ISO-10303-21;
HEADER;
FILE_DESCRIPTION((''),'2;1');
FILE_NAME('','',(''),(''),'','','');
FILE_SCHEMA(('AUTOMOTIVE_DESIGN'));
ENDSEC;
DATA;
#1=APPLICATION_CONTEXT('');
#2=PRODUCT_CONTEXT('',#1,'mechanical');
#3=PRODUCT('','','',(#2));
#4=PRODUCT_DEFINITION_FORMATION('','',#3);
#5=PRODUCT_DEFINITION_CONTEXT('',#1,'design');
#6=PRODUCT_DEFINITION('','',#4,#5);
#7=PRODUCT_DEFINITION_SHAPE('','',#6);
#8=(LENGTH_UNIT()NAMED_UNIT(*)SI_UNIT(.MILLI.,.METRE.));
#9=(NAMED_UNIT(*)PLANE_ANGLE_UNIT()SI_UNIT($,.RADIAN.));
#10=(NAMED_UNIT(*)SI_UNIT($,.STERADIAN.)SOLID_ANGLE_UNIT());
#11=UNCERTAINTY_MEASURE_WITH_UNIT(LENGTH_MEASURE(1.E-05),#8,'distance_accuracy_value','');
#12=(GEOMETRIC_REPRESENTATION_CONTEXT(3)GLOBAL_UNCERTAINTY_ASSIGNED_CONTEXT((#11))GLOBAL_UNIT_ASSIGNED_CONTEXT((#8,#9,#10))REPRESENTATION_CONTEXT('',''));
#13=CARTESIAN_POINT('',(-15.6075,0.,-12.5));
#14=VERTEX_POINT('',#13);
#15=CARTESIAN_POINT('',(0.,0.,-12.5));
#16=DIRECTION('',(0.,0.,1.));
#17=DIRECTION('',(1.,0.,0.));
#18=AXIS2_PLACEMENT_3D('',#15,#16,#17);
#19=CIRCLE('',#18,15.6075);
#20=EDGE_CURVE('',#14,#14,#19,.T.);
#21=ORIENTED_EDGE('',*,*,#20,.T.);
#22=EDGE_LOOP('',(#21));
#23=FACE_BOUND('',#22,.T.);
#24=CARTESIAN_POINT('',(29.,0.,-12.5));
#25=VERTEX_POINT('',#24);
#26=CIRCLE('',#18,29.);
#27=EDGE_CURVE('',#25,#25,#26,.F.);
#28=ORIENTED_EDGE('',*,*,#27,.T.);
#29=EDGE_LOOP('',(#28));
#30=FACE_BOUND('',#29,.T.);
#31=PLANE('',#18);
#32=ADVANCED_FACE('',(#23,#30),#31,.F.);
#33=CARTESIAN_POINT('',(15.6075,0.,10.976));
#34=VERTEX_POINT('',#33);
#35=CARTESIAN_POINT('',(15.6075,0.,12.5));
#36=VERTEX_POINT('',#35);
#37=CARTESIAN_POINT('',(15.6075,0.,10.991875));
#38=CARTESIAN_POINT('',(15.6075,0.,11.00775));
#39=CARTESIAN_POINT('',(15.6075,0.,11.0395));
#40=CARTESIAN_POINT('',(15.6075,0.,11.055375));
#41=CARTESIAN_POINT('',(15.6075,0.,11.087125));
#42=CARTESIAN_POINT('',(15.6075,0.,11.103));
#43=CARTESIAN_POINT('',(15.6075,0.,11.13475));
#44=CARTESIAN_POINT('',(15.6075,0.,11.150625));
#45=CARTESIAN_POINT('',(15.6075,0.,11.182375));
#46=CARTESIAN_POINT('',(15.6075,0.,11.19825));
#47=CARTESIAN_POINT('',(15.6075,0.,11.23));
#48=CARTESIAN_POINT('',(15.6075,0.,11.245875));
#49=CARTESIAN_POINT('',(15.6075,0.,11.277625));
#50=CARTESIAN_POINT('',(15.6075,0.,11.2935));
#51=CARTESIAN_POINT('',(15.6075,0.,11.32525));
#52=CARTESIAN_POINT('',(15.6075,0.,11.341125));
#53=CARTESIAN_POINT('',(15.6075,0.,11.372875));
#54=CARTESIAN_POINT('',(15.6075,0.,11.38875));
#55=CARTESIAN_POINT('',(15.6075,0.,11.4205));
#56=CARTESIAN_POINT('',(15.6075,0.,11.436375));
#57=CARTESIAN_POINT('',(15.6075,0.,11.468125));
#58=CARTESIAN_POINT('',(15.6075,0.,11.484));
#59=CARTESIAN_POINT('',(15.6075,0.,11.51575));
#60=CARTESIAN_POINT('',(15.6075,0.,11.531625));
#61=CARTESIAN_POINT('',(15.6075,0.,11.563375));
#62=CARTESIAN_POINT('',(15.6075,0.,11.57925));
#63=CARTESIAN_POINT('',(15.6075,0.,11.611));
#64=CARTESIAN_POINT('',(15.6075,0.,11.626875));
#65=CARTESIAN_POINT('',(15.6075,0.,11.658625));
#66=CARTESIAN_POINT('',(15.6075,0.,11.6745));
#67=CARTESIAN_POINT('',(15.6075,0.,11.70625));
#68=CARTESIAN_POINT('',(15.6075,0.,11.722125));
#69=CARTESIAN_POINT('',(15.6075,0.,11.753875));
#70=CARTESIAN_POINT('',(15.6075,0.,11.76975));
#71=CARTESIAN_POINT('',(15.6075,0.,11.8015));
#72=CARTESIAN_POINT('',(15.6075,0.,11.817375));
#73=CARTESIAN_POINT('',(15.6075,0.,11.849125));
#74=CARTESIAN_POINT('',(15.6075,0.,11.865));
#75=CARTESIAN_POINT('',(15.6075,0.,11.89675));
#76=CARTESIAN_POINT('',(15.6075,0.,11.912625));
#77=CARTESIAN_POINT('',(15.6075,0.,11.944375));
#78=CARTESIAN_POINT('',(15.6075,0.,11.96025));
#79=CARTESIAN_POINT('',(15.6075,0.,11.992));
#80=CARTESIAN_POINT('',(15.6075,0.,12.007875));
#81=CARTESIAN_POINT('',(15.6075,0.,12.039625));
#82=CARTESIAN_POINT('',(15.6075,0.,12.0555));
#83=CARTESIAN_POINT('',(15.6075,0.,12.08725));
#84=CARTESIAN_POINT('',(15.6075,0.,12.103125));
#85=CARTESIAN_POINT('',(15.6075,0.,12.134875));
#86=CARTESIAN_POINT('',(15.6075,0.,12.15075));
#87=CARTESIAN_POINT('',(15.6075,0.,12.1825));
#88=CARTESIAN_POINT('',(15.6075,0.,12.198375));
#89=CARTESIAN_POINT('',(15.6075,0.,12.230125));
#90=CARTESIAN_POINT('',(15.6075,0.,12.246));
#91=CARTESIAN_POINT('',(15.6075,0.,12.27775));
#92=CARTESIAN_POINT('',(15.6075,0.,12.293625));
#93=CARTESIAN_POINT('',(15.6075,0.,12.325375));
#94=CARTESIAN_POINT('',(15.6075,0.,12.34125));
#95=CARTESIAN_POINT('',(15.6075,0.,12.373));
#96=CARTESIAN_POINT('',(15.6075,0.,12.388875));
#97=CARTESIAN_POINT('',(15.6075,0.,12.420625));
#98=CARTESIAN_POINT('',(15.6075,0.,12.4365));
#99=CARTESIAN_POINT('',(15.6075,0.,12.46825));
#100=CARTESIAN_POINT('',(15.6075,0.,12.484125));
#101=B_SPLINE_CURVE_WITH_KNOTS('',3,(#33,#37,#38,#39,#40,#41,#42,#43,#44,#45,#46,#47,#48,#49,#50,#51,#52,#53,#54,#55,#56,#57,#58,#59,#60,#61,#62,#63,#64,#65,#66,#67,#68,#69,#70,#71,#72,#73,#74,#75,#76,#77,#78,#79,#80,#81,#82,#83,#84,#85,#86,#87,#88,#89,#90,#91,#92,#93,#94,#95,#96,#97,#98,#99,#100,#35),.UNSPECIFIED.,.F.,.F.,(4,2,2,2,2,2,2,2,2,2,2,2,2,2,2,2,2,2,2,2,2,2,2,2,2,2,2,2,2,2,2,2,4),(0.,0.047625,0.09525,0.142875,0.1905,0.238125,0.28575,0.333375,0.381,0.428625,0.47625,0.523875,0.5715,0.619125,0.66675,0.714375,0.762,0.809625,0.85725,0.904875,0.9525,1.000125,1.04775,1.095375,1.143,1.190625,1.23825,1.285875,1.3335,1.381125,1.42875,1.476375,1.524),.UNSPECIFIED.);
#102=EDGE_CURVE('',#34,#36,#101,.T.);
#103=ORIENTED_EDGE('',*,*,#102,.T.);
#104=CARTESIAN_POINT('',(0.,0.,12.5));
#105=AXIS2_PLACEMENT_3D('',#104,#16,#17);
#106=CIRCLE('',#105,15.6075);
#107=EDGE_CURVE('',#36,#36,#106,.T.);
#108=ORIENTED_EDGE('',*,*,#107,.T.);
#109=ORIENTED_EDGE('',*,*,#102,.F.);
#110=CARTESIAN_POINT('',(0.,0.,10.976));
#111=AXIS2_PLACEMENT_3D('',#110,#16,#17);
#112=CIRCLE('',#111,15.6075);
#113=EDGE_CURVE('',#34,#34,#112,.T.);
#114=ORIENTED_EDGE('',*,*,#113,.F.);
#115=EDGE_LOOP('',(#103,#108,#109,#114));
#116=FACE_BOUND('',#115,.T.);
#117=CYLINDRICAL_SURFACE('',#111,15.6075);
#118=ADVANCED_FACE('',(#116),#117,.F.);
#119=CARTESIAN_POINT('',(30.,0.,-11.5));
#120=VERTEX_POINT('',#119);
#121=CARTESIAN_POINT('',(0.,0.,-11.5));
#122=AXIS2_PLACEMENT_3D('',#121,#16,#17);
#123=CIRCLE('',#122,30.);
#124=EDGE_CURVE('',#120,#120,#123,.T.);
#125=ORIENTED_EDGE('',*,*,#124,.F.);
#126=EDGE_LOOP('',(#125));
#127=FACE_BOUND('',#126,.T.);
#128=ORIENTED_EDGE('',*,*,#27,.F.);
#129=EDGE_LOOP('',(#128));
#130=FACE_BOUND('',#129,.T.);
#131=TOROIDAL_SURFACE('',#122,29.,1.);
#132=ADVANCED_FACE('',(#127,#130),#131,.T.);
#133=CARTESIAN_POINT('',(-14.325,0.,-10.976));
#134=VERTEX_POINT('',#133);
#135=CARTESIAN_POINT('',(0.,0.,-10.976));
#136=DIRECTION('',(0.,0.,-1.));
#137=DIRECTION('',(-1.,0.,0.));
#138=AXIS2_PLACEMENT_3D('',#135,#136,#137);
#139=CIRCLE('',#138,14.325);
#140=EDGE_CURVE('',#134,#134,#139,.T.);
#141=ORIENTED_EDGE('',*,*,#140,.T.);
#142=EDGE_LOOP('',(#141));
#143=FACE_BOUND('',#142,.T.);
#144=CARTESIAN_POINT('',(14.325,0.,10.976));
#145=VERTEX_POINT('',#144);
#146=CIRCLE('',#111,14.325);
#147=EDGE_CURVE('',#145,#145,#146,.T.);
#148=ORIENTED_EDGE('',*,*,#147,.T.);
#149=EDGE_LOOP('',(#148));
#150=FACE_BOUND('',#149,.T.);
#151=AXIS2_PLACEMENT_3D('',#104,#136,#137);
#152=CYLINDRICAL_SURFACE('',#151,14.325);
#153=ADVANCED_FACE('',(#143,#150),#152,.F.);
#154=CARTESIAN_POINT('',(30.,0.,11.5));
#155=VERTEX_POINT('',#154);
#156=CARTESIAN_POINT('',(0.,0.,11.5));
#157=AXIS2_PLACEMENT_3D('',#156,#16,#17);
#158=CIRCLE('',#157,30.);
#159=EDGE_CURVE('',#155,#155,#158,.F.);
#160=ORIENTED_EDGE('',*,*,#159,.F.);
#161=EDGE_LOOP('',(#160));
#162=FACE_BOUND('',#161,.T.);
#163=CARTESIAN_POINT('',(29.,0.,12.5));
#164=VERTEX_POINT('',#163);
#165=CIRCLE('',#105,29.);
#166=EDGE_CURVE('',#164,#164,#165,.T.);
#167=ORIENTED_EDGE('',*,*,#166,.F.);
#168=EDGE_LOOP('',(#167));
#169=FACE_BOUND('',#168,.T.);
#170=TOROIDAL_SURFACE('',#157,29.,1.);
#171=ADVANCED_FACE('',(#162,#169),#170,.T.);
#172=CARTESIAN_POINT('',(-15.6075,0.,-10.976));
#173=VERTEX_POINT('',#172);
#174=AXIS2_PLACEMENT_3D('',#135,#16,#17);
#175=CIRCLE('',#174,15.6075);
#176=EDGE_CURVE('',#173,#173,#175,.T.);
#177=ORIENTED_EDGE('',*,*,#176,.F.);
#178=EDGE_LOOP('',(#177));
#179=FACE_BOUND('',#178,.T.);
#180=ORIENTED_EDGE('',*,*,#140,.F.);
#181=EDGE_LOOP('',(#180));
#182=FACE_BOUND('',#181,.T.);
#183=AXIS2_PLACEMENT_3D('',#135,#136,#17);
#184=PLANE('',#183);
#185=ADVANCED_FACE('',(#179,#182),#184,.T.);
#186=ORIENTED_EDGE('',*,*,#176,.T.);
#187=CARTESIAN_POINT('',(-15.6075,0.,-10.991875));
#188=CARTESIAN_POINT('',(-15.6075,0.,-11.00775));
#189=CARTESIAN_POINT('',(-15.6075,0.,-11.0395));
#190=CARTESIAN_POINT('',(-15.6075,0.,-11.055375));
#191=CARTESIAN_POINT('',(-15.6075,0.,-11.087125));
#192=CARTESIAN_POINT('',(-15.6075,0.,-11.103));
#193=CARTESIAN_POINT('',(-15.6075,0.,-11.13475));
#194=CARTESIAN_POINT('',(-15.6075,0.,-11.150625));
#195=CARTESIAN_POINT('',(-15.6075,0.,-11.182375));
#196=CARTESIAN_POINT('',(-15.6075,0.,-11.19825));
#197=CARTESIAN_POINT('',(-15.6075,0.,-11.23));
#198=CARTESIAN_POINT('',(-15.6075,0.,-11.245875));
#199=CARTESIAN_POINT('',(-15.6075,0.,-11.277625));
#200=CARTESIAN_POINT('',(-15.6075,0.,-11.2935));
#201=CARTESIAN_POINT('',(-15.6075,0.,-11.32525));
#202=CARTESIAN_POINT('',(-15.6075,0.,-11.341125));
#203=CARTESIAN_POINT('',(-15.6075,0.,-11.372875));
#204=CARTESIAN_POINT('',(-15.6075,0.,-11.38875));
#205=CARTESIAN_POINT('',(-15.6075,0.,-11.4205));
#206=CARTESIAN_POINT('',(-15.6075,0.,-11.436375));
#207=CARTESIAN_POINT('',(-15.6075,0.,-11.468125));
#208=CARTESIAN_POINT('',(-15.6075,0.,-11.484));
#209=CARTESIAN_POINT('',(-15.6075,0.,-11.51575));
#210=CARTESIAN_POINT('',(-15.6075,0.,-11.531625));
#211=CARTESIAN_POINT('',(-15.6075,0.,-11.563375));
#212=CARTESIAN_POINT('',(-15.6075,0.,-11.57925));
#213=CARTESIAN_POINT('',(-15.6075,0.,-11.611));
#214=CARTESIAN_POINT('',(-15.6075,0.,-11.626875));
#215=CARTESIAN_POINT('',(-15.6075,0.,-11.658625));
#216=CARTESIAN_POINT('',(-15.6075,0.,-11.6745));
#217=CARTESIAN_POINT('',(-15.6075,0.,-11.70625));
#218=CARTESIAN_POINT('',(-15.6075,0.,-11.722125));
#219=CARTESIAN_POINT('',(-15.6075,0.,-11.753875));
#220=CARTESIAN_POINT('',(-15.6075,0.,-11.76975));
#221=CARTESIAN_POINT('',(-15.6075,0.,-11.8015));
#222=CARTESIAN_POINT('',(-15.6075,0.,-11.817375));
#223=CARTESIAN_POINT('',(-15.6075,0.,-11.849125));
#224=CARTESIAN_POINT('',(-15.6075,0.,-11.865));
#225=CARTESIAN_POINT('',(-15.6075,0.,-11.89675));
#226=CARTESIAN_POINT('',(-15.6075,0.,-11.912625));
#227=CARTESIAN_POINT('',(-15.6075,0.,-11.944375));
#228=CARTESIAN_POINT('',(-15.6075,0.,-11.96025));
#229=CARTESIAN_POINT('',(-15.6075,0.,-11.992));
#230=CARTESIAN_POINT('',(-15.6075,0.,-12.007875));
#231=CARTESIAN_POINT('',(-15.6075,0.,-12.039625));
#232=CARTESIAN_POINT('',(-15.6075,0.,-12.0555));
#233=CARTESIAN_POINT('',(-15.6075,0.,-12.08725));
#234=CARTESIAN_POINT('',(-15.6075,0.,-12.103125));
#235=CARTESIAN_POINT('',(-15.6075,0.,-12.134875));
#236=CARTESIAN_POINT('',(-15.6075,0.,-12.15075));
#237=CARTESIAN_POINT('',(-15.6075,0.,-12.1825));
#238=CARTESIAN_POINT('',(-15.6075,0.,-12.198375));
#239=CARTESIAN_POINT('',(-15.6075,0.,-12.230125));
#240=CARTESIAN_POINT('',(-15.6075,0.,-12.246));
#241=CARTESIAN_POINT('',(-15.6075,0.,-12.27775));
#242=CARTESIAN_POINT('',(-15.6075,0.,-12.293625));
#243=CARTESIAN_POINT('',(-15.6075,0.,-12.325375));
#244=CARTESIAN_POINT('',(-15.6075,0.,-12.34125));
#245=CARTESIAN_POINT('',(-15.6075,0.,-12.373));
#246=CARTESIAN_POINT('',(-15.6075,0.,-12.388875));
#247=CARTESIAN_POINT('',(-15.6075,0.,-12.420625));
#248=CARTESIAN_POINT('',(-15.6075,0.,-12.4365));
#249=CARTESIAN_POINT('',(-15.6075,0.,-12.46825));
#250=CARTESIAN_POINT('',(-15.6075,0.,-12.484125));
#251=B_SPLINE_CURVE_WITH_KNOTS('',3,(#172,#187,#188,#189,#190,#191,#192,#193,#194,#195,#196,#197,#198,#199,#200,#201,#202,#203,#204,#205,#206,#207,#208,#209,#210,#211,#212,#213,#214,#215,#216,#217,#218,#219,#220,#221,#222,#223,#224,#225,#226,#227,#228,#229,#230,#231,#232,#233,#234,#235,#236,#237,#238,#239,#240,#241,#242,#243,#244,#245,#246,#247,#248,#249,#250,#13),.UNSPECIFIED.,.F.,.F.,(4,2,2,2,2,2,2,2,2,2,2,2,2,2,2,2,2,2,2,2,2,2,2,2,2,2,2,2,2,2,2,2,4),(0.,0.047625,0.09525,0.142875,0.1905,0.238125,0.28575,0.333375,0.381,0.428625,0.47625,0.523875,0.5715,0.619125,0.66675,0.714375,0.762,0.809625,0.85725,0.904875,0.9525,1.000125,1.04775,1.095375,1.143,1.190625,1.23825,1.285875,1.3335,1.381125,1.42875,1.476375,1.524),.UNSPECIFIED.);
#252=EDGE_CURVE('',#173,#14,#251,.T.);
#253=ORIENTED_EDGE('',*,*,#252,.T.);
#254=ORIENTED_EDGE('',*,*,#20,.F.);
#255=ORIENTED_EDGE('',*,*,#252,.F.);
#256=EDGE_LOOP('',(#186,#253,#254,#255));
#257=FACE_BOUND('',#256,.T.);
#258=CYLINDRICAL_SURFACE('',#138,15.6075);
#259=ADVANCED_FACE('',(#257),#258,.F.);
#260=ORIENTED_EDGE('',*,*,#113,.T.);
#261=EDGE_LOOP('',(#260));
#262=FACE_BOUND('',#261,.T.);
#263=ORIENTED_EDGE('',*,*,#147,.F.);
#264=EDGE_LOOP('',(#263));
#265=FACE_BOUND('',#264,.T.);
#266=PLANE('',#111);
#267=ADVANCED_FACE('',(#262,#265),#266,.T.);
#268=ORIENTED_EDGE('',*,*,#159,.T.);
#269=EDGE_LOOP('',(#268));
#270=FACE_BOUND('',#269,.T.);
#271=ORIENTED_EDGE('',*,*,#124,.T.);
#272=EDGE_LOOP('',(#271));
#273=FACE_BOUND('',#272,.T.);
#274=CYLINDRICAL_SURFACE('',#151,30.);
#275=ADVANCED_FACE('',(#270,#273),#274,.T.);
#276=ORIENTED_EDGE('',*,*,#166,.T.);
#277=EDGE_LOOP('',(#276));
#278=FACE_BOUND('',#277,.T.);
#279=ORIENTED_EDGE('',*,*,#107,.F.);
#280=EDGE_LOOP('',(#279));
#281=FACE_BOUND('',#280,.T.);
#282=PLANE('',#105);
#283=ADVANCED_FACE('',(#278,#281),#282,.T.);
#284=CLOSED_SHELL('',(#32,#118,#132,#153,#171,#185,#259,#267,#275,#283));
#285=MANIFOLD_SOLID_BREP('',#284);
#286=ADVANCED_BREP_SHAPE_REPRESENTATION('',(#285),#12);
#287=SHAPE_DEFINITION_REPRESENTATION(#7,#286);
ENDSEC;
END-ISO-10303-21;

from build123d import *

# Parameters (mm, degrees)
SKETCH1_R           = 30
SKETCH1_R_2         = 14.325
BOSS_EXTRUDE1_DEPTH = 12.5
SKETCH3_R           = 15.6075
CUT_EXTRUDE1_DEPTH  = 1.524
FILLET1_R           = 1


with BuildPart() as part:
    # Sketch1 → Boss-Extrude1 (new, symmetric)
    with BuildSketch(Plane.XY):
        Circle(SKETCH1_R)
        Circle(SKETCH1_R_2, mode=Mode.SUBTRACT)
    extrude(amount=BOSS_EXTRUDE1_DEPTH, both=True)

    # Sketch3 → Cut-Extrude1 (cut)
    with BuildSketch(Plane.XY.offset(12.5)):
        Circle(SKETCH3_R)
    cut_extrude1 = extrude(amount=-CUT_EXTRUDE1_DEPTH, mode=Mode.SUBTRACT)

    # Mirror1: Cut-Extrude1 across plane
    add(cut_extrude1.mirror(Plane.XY), mode=Mode.SUBTRACT)

    # Fillet1
    fillet1_edges = [part.edges().sort_by_distance(p)[0] for p in [
        (-30, 0, -12.5),
        (-30, 0, 12.5),
    ]]
    fillet(fillet1_edges, radius=FILLET1_R)


solid = part.part
